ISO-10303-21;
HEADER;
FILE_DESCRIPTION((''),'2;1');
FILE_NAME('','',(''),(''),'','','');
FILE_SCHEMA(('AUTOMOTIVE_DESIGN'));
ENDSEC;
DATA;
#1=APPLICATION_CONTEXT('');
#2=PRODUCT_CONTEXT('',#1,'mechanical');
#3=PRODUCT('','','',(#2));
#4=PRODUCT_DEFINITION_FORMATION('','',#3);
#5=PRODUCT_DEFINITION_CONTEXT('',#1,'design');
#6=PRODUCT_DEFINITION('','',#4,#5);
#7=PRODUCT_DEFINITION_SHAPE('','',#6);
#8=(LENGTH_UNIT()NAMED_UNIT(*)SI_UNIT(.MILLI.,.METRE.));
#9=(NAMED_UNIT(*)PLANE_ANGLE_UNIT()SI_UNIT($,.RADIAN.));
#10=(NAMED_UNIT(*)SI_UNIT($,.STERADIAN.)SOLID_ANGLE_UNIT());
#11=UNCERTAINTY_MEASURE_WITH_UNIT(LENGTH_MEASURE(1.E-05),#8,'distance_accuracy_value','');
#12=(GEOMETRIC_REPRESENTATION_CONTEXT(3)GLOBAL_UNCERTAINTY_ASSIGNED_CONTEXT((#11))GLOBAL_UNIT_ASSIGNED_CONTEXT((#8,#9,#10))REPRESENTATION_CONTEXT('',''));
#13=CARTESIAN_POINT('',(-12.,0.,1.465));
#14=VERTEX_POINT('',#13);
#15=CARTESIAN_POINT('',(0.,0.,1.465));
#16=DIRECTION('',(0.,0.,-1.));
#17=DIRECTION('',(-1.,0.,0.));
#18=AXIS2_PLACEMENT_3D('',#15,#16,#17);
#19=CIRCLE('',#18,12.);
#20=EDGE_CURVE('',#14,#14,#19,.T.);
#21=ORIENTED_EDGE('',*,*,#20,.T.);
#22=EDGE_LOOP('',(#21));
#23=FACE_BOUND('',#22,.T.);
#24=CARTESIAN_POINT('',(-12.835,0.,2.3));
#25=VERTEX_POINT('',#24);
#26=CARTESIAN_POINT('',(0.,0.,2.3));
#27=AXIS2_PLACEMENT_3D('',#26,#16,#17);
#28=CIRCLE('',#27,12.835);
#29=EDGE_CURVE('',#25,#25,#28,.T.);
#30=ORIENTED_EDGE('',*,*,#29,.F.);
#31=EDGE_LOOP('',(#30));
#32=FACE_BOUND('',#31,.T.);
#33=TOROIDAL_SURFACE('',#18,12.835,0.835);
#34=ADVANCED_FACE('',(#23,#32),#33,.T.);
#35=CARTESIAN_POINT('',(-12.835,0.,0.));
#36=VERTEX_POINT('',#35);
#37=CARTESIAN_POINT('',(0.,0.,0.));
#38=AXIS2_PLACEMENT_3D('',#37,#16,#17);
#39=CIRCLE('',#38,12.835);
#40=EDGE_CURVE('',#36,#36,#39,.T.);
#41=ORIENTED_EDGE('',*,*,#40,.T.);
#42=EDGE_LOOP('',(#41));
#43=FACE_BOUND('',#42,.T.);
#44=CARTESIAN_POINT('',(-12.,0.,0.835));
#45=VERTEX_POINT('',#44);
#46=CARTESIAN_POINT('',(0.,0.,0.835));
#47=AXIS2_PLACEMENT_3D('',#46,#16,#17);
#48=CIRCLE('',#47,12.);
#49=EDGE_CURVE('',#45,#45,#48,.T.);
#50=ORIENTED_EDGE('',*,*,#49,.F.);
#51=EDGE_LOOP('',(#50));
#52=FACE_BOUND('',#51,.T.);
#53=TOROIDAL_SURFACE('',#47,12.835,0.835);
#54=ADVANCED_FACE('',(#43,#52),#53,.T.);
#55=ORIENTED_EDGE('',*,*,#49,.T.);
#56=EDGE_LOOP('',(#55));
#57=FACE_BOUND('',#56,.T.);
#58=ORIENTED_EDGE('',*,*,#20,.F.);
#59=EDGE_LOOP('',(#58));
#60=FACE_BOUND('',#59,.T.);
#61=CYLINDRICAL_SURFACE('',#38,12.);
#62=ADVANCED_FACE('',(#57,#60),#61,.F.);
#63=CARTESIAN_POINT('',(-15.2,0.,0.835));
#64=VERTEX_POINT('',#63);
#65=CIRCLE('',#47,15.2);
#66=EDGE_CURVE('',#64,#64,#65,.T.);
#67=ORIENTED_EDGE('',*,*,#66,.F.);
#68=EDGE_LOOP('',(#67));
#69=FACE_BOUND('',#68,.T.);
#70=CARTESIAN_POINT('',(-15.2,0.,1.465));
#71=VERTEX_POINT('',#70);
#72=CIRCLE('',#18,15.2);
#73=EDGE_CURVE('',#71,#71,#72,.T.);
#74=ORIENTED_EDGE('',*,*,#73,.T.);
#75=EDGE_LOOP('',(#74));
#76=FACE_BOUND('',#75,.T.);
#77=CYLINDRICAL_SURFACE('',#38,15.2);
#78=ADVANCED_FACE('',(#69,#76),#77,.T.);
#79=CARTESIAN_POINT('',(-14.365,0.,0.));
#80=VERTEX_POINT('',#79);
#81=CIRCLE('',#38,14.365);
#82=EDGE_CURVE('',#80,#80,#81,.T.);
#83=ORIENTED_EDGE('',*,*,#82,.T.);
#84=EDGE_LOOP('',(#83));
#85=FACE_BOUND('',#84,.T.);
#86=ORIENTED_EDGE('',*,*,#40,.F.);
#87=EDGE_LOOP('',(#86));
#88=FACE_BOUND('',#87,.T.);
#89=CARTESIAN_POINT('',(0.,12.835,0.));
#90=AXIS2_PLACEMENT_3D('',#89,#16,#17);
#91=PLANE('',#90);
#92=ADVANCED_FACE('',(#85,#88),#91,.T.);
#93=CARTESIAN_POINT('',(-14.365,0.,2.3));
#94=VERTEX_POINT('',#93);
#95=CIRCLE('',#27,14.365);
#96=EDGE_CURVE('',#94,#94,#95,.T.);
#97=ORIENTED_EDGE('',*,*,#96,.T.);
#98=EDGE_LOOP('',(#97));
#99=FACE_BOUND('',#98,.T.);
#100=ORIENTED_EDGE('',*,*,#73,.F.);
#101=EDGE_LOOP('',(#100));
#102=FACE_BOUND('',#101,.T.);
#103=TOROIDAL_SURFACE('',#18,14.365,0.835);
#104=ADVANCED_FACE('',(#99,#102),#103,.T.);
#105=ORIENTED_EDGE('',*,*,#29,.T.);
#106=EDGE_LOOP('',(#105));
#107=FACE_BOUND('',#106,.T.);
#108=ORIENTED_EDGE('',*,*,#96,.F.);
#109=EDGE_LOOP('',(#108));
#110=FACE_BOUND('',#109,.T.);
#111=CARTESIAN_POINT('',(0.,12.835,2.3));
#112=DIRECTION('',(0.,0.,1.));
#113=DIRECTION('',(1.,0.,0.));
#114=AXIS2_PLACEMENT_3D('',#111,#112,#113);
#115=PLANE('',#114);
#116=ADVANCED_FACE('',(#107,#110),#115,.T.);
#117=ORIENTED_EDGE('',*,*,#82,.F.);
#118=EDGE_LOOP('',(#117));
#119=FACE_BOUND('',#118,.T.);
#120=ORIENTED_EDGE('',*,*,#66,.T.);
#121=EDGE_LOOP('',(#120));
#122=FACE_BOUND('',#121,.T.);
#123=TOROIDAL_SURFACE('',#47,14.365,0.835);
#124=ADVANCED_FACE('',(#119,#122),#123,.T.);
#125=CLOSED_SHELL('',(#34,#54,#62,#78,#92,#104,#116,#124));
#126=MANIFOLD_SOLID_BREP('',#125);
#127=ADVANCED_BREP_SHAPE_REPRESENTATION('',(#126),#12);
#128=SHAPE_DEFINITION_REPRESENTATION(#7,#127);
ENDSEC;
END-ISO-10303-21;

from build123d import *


with BuildPart() as part:
    # Sketch1 → Muokkautunut (revolve)
    with BuildSketch(Plane(origin=(0, 0, 0), x_dir=(0, 0, -1), z_dir=(1, 0, 0))):
        with BuildLine():
            Line((-1.465, 12), (-0.835, 12))
            ThreePointArc((-0.835, 12), (-0.244565838, 12.244565838), (0, 12.835))
            Line((0, 12.835), (0, 14.365))
            ThreePointArc((0, 14.365), (-0.244565838, 14.955434162), (-0.835, 15.2))
            Line((-0.835, 15.2), (-1.465, 15.2))
            ThreePointArc((-1.465, 15.2), (-2.055434162, 14.955434162), (-2.3, 14.365))
            Line((-2.3, 14.365), (-2.3, 12.835))
            ThreePointArc((-2.3, 12.835), (-2.055434162, 12.244565838), (-1.465, 12))
        make_face()
    revolve(axis=Axis((0, 0, 0), (0, 0, 1)))


solid = part.part
